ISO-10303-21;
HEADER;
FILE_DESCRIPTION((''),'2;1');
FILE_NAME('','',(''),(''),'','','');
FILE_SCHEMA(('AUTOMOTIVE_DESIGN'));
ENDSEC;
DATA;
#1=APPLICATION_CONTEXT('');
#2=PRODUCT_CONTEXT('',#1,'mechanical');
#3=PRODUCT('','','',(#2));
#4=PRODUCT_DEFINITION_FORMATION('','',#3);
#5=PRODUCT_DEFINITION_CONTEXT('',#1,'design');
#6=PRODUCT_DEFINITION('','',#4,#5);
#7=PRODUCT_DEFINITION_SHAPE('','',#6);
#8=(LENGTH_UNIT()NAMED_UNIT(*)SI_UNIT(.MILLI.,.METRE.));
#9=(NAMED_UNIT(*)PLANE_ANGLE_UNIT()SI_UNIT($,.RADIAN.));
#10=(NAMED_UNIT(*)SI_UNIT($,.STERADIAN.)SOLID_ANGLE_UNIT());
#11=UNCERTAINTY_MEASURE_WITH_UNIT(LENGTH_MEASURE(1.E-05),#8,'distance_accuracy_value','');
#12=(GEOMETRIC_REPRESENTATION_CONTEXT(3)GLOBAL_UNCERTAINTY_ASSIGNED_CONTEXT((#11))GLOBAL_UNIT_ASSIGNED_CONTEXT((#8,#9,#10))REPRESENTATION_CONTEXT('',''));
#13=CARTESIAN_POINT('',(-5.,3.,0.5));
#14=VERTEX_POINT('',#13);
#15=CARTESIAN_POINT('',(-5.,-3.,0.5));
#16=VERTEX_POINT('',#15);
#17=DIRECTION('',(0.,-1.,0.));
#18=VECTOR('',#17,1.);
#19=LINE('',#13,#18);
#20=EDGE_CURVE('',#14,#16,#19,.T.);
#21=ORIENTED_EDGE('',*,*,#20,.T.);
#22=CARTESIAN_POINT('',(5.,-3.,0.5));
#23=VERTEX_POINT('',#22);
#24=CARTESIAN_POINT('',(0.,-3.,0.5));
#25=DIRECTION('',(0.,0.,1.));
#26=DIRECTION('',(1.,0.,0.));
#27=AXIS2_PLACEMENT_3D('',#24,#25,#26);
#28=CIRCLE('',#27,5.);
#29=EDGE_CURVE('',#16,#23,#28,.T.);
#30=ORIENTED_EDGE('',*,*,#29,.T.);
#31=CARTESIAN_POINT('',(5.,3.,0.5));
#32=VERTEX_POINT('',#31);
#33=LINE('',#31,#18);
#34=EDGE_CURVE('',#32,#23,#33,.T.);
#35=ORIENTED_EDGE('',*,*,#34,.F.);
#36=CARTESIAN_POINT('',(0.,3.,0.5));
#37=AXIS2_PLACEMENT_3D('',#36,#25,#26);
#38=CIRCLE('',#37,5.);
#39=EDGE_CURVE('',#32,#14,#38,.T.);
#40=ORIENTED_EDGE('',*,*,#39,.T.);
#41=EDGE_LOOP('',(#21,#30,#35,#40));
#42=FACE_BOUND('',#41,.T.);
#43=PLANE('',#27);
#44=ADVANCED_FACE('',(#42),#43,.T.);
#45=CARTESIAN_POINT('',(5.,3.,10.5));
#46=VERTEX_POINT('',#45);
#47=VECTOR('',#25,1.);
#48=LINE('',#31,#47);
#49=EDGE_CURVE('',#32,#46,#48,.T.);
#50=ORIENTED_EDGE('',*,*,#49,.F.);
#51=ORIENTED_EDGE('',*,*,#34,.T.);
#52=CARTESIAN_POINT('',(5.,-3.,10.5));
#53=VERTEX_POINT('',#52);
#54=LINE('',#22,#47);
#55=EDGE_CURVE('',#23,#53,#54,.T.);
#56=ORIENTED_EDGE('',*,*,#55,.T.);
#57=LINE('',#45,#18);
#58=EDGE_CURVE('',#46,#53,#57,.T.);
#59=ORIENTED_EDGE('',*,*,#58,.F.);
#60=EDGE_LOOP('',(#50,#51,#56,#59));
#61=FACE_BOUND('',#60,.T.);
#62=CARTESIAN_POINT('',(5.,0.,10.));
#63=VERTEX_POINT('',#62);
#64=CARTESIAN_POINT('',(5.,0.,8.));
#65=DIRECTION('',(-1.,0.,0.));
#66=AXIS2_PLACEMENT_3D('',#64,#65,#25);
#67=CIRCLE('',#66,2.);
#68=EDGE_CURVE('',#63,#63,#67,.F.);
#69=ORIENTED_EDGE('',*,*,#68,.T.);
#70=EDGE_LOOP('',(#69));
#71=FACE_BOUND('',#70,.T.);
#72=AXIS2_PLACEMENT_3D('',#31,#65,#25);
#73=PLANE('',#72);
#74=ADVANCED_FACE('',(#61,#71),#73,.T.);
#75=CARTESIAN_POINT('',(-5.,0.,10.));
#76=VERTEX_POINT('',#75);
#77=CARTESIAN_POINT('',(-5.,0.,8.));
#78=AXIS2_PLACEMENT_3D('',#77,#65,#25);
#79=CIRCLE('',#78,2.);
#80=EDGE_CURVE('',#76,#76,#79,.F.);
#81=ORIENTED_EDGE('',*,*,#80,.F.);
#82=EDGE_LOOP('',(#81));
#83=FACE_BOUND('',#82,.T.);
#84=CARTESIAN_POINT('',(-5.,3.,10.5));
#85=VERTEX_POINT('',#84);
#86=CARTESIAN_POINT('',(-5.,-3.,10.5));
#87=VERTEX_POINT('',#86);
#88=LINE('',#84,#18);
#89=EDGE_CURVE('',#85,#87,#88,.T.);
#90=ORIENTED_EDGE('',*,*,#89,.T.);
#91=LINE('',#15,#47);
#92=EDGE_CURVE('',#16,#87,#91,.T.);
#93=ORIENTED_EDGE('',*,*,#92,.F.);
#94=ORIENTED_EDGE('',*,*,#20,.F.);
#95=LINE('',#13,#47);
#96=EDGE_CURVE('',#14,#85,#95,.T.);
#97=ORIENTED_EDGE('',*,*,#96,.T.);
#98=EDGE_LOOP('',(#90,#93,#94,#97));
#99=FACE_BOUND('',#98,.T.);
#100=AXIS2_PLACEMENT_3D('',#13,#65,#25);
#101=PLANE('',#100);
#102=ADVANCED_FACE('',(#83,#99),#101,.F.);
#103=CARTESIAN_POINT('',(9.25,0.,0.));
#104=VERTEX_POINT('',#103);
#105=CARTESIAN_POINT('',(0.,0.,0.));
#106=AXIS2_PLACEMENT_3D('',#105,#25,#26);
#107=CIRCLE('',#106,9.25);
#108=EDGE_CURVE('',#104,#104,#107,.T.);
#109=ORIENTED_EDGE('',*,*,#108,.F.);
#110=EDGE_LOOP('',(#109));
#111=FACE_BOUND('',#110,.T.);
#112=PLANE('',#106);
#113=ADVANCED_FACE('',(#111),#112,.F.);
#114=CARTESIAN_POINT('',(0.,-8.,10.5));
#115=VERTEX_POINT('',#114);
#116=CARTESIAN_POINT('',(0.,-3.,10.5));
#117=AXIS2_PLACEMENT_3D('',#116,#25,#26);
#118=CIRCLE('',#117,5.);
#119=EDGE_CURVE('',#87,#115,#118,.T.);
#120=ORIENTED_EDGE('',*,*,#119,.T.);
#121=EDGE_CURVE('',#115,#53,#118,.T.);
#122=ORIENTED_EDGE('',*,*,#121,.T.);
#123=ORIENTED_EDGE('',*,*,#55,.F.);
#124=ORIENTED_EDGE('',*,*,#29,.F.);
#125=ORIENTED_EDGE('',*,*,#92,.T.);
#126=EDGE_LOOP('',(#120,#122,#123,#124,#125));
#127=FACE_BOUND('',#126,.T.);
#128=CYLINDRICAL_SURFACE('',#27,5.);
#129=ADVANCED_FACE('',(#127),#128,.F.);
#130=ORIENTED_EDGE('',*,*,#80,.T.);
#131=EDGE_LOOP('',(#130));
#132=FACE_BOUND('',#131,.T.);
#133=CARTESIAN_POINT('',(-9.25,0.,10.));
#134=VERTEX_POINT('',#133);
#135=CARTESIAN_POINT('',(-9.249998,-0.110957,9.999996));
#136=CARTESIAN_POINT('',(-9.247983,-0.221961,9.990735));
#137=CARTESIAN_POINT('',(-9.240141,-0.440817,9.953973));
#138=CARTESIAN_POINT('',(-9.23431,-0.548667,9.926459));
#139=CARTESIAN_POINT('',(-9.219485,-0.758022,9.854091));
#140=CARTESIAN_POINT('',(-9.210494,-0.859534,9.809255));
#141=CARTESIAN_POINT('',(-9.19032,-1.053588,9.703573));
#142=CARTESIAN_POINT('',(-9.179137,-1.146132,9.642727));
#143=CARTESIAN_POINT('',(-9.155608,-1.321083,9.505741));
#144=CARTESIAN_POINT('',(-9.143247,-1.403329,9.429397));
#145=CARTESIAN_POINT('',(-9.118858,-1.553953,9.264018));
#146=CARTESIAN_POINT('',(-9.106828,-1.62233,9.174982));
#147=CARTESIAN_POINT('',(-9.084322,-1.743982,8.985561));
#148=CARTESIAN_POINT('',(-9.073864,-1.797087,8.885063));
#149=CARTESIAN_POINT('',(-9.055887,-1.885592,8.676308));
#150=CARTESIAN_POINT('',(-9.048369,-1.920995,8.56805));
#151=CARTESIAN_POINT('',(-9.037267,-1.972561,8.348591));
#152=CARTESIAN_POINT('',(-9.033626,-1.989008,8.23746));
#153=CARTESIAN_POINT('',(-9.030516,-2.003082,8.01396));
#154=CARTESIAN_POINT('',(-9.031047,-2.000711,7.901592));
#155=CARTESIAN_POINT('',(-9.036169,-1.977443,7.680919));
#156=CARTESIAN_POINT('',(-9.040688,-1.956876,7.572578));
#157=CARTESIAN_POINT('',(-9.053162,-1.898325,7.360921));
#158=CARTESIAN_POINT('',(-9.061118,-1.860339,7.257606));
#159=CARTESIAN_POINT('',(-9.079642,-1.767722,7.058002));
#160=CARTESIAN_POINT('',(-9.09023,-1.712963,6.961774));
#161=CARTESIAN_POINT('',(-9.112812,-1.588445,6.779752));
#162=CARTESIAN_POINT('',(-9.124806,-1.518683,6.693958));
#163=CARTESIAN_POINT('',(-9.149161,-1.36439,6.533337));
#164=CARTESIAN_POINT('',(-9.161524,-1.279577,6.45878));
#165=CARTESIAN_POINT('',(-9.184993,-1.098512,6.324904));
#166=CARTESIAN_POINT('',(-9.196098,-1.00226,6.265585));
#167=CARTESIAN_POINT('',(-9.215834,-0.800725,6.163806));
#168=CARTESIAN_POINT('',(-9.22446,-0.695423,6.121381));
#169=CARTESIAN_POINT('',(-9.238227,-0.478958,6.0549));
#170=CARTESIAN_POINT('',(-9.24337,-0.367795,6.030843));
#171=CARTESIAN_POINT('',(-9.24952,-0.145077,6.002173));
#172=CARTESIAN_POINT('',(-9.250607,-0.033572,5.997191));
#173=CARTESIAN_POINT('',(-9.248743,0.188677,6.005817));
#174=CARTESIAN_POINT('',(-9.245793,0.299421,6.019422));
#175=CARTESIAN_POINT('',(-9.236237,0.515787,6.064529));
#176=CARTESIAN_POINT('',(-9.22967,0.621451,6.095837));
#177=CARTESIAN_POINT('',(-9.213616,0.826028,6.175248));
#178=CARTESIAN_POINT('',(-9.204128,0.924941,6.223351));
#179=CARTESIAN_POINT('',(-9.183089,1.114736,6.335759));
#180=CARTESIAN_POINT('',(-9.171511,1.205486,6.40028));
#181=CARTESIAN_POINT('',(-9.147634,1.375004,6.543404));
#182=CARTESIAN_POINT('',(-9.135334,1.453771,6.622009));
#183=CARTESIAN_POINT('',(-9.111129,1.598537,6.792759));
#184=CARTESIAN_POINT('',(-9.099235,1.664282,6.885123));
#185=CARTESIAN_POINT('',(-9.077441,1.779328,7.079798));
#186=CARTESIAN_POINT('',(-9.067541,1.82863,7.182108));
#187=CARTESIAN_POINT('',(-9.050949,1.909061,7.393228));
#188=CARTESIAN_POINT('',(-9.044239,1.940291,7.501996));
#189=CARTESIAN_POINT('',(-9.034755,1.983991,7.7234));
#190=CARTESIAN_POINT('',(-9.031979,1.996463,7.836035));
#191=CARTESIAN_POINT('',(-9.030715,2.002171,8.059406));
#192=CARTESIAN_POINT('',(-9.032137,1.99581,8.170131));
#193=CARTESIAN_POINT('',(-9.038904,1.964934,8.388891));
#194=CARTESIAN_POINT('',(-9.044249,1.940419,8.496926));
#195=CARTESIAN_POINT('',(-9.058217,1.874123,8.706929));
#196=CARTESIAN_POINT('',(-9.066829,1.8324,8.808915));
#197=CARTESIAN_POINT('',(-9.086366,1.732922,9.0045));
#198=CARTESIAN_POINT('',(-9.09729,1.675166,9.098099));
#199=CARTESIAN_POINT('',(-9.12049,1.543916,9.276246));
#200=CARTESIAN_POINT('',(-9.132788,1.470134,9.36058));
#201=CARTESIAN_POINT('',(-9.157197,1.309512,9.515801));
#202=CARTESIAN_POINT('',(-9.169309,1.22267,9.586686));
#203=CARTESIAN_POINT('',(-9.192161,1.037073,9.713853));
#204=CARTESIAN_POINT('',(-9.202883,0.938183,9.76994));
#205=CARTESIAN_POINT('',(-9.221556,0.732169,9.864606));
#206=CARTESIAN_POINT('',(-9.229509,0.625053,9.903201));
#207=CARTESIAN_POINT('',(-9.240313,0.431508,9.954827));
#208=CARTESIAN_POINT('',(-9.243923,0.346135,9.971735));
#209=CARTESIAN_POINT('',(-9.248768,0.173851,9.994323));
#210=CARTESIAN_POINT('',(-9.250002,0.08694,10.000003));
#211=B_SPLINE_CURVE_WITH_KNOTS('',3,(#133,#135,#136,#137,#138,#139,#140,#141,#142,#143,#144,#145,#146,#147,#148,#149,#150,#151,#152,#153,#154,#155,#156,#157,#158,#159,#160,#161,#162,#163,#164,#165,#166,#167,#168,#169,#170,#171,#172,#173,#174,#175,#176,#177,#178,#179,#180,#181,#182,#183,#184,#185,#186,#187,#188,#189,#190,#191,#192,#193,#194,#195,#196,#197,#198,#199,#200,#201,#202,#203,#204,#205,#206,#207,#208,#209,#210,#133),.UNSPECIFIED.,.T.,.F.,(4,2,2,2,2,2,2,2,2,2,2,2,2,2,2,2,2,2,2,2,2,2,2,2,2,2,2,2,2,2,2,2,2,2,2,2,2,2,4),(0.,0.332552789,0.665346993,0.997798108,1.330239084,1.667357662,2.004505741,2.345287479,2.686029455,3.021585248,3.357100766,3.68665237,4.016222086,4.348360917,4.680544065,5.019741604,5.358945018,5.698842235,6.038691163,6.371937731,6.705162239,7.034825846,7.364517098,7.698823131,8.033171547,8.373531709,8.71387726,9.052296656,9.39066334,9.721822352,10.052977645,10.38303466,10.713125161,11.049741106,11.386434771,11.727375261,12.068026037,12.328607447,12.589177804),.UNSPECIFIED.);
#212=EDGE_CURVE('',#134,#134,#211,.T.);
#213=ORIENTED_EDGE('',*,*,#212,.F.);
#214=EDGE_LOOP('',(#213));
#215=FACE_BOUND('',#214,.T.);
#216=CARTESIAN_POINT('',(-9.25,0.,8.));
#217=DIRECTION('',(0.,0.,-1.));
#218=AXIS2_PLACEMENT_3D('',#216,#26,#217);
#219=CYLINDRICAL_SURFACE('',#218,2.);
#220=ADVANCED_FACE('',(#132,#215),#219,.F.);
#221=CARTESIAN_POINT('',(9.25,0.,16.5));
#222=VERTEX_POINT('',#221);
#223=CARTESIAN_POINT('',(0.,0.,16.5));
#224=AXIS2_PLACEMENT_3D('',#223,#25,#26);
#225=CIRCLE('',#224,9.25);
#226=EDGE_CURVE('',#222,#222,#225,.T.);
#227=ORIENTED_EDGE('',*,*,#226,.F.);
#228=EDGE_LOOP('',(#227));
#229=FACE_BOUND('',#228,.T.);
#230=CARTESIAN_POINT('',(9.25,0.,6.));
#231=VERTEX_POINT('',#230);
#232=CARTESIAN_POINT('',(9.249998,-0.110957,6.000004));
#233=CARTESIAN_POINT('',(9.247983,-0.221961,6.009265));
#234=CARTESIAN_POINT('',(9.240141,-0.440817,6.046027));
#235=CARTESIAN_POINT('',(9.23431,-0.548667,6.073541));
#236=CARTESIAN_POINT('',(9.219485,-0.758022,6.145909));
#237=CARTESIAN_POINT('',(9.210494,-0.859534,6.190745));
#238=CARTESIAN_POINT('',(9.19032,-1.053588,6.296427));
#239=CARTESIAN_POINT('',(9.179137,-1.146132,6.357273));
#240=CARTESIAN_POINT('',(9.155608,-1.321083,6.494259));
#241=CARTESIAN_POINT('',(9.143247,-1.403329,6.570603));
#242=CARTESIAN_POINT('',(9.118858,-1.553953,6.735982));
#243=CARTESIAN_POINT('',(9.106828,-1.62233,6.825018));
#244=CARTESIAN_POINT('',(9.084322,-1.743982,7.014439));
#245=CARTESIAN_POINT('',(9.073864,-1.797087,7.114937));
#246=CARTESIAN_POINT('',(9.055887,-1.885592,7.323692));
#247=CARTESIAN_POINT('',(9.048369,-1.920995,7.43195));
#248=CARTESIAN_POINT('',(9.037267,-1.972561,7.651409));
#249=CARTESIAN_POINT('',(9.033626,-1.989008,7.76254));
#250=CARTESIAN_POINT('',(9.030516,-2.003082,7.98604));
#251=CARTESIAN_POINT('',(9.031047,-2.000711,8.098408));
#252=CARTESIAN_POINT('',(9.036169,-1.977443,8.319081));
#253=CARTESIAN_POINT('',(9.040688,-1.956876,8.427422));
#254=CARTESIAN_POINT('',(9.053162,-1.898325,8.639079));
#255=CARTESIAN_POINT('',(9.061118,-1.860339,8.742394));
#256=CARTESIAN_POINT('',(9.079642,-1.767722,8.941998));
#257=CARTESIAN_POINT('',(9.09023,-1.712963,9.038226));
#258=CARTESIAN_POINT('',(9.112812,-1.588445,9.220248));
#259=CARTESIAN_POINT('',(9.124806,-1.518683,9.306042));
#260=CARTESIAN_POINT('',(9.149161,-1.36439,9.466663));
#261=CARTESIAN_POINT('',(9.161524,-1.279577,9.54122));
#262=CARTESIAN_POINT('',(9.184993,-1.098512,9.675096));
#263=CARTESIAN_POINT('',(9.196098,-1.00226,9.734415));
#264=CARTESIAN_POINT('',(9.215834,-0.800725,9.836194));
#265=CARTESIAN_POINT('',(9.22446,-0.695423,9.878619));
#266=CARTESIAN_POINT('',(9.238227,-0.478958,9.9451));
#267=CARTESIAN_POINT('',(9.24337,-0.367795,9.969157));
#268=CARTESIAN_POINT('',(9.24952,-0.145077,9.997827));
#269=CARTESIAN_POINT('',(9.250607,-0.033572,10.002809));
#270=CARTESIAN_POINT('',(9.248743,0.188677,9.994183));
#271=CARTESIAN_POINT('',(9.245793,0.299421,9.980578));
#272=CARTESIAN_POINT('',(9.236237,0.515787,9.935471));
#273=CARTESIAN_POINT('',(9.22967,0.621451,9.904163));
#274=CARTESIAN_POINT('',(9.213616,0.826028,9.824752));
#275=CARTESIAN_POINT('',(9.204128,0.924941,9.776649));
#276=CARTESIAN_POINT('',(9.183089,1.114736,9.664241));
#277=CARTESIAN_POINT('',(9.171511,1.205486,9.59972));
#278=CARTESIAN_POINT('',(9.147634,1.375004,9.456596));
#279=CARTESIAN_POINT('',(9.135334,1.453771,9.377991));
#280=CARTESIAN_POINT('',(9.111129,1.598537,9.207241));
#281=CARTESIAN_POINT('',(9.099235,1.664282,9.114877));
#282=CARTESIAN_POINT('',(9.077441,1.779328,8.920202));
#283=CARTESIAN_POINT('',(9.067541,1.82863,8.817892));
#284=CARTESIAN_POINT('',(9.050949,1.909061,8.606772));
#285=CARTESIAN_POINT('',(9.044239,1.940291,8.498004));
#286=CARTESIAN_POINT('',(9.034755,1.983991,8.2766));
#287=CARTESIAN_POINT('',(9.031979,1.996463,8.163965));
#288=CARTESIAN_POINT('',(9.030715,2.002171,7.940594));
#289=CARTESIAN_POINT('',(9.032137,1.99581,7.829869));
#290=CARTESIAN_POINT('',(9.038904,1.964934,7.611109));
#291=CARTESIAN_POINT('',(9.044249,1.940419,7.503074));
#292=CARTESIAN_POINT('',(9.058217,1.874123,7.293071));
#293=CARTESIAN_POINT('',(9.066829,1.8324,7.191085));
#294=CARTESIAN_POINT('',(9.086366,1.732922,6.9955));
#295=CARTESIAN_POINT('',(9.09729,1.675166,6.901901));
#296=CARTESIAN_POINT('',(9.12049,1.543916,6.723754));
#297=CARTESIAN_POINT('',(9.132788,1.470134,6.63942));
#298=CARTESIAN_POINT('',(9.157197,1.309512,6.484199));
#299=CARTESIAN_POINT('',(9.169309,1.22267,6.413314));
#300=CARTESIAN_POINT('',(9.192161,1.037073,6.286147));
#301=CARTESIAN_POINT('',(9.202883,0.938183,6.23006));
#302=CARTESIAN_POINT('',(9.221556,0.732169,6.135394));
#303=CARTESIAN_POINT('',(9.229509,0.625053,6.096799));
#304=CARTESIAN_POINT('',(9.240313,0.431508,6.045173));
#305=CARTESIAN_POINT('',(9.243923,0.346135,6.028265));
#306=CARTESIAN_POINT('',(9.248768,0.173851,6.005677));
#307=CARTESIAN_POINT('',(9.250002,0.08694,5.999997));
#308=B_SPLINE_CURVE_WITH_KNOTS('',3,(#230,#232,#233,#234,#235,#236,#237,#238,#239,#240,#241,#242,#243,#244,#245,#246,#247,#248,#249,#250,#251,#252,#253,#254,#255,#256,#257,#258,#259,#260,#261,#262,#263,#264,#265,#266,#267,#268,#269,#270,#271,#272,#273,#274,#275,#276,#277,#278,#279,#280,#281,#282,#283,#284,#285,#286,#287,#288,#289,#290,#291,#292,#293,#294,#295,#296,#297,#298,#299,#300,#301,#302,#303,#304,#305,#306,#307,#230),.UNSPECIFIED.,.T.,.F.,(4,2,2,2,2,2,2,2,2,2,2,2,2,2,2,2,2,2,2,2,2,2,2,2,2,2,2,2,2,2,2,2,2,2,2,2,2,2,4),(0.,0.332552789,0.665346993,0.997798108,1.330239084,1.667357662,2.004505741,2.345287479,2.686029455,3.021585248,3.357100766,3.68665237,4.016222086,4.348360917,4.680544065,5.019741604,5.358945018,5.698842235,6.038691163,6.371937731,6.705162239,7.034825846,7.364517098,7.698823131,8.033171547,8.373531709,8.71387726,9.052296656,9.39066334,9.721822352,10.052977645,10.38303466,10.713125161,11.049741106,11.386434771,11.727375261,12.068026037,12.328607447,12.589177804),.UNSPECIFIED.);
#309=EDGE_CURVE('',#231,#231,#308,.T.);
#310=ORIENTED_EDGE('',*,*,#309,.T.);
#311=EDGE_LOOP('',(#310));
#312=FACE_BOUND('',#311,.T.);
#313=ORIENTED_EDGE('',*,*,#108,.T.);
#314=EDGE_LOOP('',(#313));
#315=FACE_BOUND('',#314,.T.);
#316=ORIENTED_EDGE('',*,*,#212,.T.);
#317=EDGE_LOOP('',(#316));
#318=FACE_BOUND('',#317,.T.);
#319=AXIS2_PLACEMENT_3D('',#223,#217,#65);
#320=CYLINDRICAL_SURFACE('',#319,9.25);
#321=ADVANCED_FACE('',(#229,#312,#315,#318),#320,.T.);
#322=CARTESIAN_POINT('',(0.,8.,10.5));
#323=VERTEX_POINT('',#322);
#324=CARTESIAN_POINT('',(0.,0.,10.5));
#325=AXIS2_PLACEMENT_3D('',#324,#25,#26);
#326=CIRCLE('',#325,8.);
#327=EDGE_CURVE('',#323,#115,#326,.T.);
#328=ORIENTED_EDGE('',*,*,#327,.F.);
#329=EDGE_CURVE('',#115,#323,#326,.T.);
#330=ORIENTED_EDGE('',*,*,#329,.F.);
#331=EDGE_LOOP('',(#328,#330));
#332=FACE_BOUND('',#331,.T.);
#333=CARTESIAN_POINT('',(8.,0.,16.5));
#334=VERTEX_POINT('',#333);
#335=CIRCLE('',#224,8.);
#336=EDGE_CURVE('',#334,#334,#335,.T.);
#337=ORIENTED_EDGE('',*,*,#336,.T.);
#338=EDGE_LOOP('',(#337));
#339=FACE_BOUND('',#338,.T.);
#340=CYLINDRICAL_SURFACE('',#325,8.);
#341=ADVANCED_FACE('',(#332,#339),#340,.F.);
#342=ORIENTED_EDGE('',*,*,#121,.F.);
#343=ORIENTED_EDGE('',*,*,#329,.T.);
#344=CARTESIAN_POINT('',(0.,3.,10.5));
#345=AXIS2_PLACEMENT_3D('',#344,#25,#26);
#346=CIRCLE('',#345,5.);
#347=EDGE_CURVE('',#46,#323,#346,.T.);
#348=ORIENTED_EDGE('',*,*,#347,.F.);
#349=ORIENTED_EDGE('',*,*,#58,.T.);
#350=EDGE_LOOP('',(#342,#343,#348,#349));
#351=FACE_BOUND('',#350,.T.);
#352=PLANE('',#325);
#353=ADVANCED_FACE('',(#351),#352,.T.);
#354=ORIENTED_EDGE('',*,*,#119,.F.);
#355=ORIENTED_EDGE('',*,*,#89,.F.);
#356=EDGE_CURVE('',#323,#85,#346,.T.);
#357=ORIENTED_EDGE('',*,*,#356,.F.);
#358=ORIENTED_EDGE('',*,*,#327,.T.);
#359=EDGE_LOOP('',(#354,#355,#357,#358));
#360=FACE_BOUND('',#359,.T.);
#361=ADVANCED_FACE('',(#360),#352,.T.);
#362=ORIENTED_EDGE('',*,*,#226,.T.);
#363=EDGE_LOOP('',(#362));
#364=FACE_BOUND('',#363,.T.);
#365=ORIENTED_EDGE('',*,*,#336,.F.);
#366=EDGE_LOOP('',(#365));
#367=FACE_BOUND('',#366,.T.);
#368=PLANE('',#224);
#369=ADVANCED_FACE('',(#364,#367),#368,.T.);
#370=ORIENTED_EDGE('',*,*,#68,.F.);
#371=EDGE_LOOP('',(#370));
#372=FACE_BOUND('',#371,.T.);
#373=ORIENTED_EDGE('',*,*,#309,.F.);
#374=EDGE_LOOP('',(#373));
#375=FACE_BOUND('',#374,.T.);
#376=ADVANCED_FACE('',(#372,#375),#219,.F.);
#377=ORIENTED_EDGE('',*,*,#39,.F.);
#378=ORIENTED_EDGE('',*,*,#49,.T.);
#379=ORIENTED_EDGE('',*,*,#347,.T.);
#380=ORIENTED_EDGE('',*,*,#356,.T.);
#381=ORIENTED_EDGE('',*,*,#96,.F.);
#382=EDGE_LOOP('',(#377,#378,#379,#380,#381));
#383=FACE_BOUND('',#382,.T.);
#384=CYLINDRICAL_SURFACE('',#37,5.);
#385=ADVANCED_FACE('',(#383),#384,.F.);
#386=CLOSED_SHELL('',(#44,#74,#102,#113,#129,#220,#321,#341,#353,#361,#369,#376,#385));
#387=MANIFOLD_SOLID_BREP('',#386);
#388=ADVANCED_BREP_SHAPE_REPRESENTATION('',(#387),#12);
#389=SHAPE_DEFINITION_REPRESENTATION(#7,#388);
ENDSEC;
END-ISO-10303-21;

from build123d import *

# Parameters (mm, degrees)
ESQUISSE1_R             = 9.25
BASE_EXTRUSION_DEPTH    = 16.5
ESQUISSE2_R             = 2
ENL_V_MAT_EXTRU_1_DEPTH = 27.458694223
ESQUISSE3_R             = 8
ENL_V_MAT_EXTRU_2_DEPTH = 6
ENL_V_MAT_EXTRU_3_DEPTH = 10


with BuildPart() as part:
    # Esquisse1 → Base-Extrusion (new body)
    with BuildSketch(Plane.XY):
        Circle(ESQUISSE1_R)
    extrude(amount=BASE_EXTRUSION_DEPTH)

    # Esquisse2 → Enlèv. mat.-Extru.1 (cut, through all)
    with BuildSketch(Plane(origin=(9.25, 0, 0), x_dir=(0, 0, -1), z_dir=(1, 0, 0))):
        with Locations((-8, 0)):
            Circle(ESQUISSE2_R)
    extrude(amount=-ENL_V_MAT_EXTRU_1_DEPTH, mode=Mode.SUBTRACT)

    # Esquisse3 → Enlèv. mat.-Extru.2 (cut)
    with BuildSketch(Plane.XY.offset(16.5)):
        Circle(ESQUISSE3_R)
    extrude(amount=-ENL_V_MAT_EXTRU_2_DEPTH, mode=Mode.SUBTRACT)

    # Esquisse4 → Enlèv. mat.-Extru.3 (cut)
    with BuildSketch(Plane.XY.offset(10.5)):
        with BuildLine():
            Line((5, 3), (5, -3))
            ThreePointArc((5, -3), (0, -8), (-5, -3))
            Line((-5, -3), (-5, 3))
            ThreePointArc((-5, 3), (0, 8), (5, 3))
        make_face()
    extrude(amount=-ENL_V_MAT_EXTRU_3_DEPTH, mode=Mode.SUBTRACT)


solid = part.part
